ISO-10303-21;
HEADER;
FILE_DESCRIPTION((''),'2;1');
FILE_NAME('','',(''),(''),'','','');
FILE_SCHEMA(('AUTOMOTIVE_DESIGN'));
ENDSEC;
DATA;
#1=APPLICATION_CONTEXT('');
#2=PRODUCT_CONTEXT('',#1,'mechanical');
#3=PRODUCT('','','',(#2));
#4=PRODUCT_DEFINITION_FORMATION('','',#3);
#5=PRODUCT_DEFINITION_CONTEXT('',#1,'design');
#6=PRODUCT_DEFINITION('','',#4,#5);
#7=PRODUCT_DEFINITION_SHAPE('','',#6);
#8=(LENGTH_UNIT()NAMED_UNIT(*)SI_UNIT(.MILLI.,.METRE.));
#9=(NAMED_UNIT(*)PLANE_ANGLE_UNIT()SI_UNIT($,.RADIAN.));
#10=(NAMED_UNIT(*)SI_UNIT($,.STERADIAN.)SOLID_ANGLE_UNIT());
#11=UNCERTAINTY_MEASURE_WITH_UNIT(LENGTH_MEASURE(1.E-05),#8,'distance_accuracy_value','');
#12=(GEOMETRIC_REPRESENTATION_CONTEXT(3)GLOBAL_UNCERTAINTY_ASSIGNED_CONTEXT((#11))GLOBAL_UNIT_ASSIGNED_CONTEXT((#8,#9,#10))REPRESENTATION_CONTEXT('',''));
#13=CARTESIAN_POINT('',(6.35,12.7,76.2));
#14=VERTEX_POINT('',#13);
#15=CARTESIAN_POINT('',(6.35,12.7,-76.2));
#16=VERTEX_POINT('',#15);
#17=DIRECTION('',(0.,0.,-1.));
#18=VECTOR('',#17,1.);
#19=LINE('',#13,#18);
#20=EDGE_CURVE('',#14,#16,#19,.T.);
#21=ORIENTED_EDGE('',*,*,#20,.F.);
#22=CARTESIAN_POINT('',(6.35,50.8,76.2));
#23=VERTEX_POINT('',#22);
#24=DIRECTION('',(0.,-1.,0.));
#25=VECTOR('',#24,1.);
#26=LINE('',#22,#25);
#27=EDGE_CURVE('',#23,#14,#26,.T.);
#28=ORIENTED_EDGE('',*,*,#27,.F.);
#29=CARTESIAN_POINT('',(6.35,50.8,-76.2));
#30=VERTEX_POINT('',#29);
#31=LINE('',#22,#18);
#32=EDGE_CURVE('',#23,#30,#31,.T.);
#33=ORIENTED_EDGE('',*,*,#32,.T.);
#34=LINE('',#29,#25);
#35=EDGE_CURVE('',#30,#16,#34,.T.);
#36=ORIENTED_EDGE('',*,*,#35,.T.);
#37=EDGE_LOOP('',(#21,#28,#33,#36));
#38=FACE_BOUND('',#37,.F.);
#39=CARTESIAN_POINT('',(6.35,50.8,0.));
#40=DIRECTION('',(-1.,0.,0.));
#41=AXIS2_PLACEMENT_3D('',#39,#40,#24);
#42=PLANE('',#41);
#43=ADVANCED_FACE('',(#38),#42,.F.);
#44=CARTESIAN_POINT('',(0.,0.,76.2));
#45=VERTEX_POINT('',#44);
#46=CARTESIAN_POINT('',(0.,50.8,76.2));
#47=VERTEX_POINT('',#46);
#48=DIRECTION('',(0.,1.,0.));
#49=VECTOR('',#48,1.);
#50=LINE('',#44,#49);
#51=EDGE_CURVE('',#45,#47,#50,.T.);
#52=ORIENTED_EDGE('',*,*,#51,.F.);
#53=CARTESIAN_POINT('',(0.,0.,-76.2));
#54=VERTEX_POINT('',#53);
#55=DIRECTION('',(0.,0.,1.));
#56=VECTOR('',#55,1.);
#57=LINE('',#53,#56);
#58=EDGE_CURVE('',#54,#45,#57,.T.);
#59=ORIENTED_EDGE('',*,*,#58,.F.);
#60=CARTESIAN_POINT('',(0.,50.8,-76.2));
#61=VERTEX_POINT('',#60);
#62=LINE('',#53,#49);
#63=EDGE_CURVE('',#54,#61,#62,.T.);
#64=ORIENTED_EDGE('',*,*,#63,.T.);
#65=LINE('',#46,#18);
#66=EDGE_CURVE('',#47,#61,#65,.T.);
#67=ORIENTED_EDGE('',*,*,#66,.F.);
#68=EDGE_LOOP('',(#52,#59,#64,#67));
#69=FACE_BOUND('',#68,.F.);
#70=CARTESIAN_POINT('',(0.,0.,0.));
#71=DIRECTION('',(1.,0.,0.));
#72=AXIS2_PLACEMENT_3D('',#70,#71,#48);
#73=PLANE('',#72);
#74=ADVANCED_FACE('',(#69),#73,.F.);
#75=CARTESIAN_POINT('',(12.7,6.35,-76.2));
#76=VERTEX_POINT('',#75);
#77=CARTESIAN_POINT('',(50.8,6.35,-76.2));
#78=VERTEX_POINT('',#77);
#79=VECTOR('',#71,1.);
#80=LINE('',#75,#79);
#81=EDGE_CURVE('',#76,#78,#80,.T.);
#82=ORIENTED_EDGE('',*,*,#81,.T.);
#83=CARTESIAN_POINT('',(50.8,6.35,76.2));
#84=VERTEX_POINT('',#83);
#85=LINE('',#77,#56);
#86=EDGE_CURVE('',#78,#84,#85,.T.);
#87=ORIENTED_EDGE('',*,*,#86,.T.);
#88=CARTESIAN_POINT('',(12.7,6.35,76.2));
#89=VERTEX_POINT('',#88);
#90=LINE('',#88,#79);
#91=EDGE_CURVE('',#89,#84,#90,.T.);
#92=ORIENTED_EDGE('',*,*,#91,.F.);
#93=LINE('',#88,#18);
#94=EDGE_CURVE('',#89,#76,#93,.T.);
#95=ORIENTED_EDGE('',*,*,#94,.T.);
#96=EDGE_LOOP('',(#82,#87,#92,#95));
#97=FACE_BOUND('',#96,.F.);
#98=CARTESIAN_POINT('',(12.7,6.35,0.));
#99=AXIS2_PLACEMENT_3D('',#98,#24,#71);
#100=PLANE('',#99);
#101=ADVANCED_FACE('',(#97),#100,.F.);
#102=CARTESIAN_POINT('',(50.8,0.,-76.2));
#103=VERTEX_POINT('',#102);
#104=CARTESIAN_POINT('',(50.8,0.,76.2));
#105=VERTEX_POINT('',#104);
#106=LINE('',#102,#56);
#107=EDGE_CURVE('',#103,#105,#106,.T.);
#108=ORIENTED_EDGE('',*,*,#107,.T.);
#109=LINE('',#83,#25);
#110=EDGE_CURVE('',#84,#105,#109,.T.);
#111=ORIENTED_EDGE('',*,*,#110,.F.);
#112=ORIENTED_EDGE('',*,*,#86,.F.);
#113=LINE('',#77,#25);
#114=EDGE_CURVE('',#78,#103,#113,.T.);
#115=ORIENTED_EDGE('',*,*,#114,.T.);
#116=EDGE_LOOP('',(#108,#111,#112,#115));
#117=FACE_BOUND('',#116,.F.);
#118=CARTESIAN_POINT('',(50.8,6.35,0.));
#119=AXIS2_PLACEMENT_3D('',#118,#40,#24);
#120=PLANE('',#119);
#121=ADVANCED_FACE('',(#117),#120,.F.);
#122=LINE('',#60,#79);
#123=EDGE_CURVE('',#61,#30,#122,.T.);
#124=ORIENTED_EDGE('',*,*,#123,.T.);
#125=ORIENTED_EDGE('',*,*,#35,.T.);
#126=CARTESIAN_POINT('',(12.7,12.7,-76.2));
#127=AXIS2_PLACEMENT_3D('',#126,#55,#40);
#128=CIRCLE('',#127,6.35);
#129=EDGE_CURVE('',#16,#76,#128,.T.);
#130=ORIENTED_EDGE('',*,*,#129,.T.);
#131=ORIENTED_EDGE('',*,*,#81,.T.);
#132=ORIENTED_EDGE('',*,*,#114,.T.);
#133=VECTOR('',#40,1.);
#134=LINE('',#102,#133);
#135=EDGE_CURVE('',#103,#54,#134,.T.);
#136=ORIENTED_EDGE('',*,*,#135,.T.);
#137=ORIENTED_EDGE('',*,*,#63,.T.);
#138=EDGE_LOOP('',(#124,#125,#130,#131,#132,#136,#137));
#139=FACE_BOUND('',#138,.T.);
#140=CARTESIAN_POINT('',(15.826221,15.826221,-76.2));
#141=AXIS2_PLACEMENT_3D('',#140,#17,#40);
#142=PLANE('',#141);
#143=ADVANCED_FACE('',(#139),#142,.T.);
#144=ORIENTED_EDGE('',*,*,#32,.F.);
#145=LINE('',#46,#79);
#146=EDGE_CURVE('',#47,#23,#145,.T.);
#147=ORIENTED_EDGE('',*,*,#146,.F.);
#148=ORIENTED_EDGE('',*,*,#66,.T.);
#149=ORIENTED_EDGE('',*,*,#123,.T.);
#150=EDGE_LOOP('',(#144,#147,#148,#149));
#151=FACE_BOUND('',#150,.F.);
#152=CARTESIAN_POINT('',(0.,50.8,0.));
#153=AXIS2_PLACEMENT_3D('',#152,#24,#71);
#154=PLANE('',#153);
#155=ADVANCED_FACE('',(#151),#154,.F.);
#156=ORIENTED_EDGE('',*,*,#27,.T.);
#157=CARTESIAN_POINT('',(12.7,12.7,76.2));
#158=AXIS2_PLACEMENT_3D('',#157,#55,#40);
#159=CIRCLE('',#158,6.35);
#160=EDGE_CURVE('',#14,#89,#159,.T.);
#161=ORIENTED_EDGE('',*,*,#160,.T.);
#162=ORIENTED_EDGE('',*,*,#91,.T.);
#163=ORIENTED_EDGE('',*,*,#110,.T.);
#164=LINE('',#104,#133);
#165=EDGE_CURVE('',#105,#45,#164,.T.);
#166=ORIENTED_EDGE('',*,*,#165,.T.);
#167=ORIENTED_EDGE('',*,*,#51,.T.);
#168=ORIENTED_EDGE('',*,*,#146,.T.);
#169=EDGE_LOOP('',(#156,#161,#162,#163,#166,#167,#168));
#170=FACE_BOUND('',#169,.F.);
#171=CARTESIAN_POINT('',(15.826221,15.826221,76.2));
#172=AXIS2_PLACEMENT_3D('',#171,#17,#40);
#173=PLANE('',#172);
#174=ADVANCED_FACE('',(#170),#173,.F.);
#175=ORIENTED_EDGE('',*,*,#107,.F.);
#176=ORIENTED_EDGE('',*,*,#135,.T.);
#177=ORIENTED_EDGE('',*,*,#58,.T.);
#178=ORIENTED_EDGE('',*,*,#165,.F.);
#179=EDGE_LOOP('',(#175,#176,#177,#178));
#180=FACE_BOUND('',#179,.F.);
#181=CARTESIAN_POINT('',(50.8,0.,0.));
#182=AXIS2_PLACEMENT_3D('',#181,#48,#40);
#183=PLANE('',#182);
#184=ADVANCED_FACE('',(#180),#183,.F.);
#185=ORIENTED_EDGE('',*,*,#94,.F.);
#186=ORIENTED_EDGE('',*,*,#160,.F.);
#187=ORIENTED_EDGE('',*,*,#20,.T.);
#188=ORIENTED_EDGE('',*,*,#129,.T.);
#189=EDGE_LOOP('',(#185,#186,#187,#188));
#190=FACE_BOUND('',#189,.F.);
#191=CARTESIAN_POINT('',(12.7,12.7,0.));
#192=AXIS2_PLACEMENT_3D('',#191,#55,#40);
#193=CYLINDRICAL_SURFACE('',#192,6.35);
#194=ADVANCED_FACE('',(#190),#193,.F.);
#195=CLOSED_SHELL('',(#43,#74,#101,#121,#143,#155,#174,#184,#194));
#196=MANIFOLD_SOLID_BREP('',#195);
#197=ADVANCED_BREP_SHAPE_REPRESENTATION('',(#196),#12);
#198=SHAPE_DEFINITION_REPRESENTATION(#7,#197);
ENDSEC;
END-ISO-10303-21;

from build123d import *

# Parameters (mm, degrees)
BOSS_EXTRUDE1_DEPTH = 76.2


with BuildPart() as part:
    # Sketch2 → Boss-Extrude1 (new body, symmetric)
    with BuildSketch(Plane.XY):
        with BuildLine():
            Line((0, 0), (0, 50.8))
            Line((0, 50.8), (6.35, 50.8))
            Line((6.35, 50.8), (6.35, 12.7))
            ThreePointArc((6.35, 12.7), (8.209871939, 8.209871939), (12.7, 6.35))
            Line((12.7, 6.35), (50.8, 6.35))
            Line((50.8, 6.35), (50.8, 0))
            Line((50.8, 0), (0, 0))
        make_face()
    extrude(amount=BOSS_EXTRUDE1_DEPTH, both=True)


solid = part.part
